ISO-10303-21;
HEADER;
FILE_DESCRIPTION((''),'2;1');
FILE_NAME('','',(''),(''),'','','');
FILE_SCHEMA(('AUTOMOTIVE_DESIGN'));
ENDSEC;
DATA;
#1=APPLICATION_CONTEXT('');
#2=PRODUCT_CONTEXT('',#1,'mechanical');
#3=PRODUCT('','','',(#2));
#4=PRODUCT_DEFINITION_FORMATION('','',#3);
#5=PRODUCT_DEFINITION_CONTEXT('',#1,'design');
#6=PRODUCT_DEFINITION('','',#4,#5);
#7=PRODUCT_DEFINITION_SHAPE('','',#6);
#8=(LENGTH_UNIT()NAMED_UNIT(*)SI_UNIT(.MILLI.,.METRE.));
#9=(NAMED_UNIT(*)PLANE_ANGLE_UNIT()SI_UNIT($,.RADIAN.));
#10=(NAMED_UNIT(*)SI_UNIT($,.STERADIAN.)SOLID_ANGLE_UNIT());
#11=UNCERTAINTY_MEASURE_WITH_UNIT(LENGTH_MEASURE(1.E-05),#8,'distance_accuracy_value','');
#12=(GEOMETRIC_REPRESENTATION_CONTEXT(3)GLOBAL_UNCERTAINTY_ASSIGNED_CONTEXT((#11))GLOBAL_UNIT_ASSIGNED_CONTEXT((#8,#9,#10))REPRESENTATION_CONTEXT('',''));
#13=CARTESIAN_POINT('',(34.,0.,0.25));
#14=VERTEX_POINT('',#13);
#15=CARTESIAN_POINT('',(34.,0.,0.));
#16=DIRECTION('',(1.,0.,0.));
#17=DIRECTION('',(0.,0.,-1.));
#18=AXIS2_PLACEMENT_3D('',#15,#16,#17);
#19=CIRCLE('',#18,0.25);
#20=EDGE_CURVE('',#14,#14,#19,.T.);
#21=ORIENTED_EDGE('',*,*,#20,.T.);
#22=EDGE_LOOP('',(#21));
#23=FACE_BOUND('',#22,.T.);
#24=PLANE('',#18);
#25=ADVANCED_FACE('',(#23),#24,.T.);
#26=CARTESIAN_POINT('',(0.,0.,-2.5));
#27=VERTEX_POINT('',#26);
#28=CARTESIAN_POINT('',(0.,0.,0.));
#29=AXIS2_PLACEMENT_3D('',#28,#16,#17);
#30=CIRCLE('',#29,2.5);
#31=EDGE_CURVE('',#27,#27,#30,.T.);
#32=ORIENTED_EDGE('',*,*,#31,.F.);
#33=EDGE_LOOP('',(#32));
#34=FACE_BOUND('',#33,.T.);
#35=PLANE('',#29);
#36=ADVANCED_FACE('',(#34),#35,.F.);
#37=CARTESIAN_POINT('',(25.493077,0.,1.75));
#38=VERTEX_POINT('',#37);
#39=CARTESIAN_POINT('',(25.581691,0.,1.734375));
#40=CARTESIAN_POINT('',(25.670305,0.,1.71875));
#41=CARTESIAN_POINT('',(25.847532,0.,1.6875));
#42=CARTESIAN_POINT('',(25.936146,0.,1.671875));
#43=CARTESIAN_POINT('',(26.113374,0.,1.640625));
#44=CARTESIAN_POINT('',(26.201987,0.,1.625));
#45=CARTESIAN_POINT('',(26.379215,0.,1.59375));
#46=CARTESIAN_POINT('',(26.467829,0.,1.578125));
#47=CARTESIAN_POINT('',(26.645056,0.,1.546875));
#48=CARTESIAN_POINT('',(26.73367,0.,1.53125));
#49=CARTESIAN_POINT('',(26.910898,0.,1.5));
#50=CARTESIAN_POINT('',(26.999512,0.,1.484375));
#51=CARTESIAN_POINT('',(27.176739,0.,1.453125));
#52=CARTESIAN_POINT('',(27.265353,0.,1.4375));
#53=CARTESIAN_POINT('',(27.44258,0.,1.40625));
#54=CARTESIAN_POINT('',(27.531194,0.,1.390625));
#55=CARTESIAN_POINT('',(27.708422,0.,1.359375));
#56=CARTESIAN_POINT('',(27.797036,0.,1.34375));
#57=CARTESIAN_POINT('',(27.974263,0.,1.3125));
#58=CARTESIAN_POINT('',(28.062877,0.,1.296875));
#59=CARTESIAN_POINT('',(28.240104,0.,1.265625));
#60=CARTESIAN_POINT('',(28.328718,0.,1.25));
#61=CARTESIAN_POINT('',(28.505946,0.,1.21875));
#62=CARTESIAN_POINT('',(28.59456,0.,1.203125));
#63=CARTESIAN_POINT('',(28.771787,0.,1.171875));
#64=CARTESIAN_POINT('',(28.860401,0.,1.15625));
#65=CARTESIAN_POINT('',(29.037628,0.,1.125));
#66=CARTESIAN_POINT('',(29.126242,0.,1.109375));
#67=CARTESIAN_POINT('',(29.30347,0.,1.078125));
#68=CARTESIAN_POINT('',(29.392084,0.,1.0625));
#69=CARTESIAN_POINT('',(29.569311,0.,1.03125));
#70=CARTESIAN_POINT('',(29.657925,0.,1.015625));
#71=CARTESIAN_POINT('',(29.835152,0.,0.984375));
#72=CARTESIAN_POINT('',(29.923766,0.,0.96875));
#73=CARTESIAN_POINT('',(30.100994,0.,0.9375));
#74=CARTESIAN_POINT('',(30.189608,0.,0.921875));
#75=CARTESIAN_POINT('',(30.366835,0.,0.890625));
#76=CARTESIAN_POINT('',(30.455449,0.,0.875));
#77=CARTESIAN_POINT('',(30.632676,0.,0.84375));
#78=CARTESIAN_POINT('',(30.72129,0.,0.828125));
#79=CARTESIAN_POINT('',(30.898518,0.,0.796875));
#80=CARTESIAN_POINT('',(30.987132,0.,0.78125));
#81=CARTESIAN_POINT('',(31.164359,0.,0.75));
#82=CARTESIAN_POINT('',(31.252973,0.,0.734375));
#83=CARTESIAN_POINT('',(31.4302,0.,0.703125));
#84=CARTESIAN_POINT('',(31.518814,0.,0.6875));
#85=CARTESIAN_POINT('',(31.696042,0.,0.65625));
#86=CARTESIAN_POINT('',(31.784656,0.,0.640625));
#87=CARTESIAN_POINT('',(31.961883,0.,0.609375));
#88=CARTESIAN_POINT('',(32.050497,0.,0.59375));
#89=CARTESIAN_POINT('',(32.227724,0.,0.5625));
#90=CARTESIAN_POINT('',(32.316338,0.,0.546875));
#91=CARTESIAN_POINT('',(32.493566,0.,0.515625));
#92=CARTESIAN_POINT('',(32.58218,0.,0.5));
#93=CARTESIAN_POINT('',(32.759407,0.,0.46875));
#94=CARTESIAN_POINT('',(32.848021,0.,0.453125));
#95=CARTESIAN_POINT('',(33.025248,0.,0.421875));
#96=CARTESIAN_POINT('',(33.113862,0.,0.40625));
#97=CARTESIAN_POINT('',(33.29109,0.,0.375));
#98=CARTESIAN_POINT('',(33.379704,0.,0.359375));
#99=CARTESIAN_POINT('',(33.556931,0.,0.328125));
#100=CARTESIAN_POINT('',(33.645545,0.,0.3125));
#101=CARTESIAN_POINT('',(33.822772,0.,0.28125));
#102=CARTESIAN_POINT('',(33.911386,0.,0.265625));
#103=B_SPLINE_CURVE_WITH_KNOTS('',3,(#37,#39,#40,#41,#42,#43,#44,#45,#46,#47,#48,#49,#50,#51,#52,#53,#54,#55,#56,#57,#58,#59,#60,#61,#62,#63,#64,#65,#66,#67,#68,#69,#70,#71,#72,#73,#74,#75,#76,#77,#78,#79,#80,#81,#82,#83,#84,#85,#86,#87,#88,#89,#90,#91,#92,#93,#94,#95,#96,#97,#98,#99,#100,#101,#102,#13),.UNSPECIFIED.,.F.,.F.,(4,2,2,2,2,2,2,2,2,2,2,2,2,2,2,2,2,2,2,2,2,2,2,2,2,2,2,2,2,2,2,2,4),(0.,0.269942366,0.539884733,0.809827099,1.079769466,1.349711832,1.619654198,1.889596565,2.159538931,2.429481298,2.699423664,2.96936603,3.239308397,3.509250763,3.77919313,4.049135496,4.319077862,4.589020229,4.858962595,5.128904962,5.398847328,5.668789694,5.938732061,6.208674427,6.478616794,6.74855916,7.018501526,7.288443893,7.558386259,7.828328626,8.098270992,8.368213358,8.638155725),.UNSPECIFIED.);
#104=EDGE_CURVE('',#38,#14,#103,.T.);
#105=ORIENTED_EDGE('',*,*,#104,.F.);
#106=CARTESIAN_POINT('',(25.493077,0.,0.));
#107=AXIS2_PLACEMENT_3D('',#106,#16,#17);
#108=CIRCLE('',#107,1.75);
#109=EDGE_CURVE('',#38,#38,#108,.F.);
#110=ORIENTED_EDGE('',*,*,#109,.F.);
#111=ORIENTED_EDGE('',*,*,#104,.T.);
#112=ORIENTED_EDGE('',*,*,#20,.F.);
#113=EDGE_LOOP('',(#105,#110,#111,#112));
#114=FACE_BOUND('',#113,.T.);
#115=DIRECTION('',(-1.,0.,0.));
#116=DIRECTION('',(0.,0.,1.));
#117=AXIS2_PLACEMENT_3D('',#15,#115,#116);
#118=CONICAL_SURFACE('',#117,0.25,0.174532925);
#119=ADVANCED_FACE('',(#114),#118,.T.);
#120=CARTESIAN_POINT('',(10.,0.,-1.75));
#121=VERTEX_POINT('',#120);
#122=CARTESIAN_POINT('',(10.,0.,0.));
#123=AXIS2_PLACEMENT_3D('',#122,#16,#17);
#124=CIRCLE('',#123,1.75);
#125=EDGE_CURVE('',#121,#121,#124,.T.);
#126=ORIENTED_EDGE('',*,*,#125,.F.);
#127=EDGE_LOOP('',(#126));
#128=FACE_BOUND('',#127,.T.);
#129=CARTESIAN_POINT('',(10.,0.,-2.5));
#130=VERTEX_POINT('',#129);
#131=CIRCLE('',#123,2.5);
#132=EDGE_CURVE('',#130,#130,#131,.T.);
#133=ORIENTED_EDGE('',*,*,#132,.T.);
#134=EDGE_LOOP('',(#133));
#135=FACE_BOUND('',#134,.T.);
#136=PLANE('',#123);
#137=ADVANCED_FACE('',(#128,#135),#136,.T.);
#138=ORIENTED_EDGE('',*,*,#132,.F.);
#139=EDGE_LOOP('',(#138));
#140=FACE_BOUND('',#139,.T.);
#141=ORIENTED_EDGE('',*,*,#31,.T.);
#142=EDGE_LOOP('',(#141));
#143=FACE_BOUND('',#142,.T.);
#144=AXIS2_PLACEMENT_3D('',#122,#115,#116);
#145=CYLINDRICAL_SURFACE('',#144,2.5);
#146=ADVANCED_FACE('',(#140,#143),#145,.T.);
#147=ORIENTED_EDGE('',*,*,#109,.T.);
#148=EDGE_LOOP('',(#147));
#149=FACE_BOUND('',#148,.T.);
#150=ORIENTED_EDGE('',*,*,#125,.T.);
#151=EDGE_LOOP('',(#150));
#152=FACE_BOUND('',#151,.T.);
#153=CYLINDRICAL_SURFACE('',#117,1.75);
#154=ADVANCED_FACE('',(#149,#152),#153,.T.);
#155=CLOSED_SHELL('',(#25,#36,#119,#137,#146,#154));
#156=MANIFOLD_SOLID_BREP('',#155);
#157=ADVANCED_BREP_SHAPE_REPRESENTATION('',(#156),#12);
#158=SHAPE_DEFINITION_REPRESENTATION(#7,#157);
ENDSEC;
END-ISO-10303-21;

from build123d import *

# Parameters (mm, degrees)
SKETCH1_R           = 2.5
BOSS_EXTRUDE1_DEPTH = 10
SKETCH2_R           = 1.75
BOSS_EXTRUDE2_DEPTH = 24
CHAMFER1_SIZE       = 1.5
CHAMFER1_SIZE2      = 8.506922729


with BuildPart() as part:
    # Sketch1 → Boss-Extrude1 (new body)
    with BuildSketch(Plane(origin=(0, 0, 0), x_dir=(0, 0, -1), z_dir=(1, 0, 0))):
        Circle(SKETCH1_R)
    extrude(amount=BOSS_EXTRUDE1_DEPTH)

    # Sketch2 → Boss-Extrude2 (add)
    with BuildSketch(Plane(origin=(10, 0, 0), x_dir=(0, 0, -1), z_dir=(1, 0, 0))):
        Circle(SKETCH2_R)
    extrude(amount=BOSS_EXTRUDE2_DEPTH)

    # Chamfer1
    chamfer1_edges = [part.edges().sort_by_distance(p)[0] for p in [
        (34, 0, 1.75),
    ]]
    chamfer1_side = [part.faces().sort_by_distance(p)[0] for p in [
        (34, 0, 0),
    ]]
    chamfer(chamfer1_edges, length=CHAMFER1_SIZE, length2=CHAMFER1_SIZE2, reference=chamfer1_side[0])


solid = part.part
